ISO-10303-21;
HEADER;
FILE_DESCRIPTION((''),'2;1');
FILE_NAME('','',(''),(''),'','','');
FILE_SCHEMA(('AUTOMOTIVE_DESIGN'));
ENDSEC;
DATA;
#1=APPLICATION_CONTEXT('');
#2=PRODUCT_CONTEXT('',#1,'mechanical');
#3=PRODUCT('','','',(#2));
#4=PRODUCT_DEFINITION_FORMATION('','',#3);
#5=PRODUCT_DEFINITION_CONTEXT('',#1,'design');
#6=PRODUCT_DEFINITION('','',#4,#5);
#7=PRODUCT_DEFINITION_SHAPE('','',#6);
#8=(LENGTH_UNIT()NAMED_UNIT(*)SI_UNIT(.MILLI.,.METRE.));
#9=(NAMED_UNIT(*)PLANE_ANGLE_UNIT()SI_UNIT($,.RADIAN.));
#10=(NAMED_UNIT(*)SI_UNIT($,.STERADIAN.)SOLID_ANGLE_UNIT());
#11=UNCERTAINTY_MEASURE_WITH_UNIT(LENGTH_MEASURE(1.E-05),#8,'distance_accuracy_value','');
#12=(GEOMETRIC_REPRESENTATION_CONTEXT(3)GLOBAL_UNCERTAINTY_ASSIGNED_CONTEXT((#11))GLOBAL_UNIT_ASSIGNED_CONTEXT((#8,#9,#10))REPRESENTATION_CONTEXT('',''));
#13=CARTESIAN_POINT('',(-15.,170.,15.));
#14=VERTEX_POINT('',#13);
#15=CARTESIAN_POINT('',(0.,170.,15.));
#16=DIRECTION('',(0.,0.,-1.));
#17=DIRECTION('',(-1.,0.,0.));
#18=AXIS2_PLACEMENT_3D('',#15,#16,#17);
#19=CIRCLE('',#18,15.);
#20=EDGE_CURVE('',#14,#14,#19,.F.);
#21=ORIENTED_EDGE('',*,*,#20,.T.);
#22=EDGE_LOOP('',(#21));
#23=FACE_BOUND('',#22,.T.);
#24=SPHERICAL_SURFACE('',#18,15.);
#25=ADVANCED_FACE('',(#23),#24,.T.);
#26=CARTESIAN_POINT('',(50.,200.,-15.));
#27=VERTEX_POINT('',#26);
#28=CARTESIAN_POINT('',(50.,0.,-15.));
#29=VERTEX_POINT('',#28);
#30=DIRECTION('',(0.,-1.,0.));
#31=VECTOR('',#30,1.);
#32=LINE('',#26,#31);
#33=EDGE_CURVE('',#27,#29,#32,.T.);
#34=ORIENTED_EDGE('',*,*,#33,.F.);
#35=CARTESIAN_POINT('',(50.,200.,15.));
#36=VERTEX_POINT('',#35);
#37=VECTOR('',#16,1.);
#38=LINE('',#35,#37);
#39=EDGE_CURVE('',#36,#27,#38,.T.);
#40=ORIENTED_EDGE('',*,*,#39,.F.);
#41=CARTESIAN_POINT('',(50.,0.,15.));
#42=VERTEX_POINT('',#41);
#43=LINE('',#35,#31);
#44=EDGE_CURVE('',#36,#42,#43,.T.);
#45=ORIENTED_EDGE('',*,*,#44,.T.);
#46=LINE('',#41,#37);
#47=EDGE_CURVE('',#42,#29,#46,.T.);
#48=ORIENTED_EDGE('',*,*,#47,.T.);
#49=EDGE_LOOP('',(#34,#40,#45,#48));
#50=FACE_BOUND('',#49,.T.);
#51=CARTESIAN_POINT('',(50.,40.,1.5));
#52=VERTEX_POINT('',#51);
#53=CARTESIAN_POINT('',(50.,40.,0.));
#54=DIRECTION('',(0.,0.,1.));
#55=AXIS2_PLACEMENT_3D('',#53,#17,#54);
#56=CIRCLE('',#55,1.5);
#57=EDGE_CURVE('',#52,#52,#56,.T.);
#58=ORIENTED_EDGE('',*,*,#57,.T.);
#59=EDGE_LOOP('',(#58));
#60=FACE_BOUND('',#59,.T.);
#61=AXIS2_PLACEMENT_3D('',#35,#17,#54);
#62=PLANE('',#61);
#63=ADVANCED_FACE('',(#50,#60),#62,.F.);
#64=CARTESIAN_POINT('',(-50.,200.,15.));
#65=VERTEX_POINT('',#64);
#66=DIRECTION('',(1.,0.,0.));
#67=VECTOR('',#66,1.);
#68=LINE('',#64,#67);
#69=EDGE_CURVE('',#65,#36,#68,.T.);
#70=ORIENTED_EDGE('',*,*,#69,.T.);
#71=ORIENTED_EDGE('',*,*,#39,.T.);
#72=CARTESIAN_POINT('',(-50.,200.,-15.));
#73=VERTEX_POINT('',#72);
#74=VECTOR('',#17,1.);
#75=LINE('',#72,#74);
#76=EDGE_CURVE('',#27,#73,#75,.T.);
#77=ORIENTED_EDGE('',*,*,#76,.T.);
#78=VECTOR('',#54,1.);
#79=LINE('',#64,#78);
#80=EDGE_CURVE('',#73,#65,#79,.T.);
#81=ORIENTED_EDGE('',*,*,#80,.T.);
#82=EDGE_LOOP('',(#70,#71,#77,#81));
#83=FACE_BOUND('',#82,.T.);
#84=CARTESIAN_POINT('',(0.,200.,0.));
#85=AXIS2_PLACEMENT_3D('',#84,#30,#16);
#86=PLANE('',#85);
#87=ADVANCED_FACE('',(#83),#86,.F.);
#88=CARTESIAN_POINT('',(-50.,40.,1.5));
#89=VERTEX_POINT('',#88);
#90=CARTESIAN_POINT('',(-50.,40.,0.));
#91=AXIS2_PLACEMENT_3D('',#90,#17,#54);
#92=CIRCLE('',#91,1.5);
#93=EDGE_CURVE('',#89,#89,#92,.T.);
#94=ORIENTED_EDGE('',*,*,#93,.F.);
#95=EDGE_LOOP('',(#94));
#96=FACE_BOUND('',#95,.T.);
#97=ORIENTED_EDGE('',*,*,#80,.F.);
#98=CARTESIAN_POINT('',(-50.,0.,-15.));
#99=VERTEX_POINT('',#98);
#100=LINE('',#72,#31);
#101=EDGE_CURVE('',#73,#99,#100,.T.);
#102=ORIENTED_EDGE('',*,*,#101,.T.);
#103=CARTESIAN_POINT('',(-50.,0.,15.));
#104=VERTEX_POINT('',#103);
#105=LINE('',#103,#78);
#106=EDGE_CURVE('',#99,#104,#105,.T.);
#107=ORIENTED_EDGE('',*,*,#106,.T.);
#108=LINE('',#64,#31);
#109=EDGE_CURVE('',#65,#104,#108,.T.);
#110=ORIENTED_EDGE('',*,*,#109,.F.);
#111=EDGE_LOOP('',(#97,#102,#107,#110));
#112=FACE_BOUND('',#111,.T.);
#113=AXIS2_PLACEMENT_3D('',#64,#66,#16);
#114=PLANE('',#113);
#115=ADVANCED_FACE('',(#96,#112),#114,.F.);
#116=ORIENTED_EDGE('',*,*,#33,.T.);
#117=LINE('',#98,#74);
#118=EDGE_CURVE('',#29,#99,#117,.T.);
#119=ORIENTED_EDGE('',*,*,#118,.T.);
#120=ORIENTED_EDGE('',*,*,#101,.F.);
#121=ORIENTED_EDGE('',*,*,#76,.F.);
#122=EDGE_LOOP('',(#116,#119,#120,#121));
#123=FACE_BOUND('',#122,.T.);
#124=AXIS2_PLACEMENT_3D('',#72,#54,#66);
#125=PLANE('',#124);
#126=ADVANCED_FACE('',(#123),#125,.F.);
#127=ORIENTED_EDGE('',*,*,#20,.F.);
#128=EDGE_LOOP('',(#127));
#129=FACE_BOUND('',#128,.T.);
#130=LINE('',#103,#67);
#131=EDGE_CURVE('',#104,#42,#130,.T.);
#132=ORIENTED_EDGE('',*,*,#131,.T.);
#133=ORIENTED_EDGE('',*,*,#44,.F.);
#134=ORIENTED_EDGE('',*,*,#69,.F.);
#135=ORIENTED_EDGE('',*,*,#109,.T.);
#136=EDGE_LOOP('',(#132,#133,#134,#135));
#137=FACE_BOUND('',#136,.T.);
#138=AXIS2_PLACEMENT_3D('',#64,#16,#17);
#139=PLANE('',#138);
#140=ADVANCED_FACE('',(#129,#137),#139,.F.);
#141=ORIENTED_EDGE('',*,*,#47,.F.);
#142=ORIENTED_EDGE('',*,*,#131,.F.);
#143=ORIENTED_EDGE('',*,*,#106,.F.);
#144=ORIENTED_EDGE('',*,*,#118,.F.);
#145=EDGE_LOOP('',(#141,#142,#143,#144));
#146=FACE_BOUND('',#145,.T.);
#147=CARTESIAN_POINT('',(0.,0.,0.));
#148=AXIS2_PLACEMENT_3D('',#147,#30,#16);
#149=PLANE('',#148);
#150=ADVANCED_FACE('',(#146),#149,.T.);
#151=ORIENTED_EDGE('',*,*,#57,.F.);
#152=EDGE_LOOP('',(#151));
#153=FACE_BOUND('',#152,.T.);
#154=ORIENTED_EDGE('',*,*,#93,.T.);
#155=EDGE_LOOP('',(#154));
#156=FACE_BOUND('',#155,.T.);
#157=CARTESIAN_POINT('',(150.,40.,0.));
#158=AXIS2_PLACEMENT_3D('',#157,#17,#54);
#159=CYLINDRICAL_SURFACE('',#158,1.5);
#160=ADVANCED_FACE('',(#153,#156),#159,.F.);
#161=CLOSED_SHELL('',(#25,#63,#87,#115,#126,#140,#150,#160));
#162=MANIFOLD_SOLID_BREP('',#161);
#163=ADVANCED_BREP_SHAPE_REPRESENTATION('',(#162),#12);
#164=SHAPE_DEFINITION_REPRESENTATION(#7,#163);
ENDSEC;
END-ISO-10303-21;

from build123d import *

# Parameters (mm, degrees)
SKETCH_1_W          = 100
SKETCH_1_H          = 30
EXTRUDE_1_DEPTH     = 200
SKETCH_3_R          = 1.5
CUT_EXTRUDE_1_DEPTH = 200


with BuildPart() as part:
    # 草圖1 → 填料-伸長1 (new body)
    with BuildSketch(Plane(origin=(0, 0, 0), x_dir=(1, 0, 0), z_dir=(0, 1, 0))):
        Rectangle(SKETCH_1_W, SKETCH_1_H)
    extrude(amount=EXTRUDE_1_DEPTH)

    # 草圖2 → 旋轉5 (revolve)
    with BuildSketch(Plane.XY.offset(15)):
        with BuildLine():
            Line((-15, 170), (15, 170))
            ThreePointArc((15, 170), (0, 185), (-15, 170))
        make_face()
    revolve(axis=Axis((-33.156754736, 170, 15), (1, 0, 0)))

    # 草圖3 → 除料-伸長1 (cut)
    with BuildSketch(Plane.ZY.offset(50)):
        with Locations((0, 40)):
            Circle(SKETCH_3_R)
    extrude(amount=-CUT_EXTRUDE_1_DEPTH, mode=Mode.SUBTRACT)


solid = part.part
